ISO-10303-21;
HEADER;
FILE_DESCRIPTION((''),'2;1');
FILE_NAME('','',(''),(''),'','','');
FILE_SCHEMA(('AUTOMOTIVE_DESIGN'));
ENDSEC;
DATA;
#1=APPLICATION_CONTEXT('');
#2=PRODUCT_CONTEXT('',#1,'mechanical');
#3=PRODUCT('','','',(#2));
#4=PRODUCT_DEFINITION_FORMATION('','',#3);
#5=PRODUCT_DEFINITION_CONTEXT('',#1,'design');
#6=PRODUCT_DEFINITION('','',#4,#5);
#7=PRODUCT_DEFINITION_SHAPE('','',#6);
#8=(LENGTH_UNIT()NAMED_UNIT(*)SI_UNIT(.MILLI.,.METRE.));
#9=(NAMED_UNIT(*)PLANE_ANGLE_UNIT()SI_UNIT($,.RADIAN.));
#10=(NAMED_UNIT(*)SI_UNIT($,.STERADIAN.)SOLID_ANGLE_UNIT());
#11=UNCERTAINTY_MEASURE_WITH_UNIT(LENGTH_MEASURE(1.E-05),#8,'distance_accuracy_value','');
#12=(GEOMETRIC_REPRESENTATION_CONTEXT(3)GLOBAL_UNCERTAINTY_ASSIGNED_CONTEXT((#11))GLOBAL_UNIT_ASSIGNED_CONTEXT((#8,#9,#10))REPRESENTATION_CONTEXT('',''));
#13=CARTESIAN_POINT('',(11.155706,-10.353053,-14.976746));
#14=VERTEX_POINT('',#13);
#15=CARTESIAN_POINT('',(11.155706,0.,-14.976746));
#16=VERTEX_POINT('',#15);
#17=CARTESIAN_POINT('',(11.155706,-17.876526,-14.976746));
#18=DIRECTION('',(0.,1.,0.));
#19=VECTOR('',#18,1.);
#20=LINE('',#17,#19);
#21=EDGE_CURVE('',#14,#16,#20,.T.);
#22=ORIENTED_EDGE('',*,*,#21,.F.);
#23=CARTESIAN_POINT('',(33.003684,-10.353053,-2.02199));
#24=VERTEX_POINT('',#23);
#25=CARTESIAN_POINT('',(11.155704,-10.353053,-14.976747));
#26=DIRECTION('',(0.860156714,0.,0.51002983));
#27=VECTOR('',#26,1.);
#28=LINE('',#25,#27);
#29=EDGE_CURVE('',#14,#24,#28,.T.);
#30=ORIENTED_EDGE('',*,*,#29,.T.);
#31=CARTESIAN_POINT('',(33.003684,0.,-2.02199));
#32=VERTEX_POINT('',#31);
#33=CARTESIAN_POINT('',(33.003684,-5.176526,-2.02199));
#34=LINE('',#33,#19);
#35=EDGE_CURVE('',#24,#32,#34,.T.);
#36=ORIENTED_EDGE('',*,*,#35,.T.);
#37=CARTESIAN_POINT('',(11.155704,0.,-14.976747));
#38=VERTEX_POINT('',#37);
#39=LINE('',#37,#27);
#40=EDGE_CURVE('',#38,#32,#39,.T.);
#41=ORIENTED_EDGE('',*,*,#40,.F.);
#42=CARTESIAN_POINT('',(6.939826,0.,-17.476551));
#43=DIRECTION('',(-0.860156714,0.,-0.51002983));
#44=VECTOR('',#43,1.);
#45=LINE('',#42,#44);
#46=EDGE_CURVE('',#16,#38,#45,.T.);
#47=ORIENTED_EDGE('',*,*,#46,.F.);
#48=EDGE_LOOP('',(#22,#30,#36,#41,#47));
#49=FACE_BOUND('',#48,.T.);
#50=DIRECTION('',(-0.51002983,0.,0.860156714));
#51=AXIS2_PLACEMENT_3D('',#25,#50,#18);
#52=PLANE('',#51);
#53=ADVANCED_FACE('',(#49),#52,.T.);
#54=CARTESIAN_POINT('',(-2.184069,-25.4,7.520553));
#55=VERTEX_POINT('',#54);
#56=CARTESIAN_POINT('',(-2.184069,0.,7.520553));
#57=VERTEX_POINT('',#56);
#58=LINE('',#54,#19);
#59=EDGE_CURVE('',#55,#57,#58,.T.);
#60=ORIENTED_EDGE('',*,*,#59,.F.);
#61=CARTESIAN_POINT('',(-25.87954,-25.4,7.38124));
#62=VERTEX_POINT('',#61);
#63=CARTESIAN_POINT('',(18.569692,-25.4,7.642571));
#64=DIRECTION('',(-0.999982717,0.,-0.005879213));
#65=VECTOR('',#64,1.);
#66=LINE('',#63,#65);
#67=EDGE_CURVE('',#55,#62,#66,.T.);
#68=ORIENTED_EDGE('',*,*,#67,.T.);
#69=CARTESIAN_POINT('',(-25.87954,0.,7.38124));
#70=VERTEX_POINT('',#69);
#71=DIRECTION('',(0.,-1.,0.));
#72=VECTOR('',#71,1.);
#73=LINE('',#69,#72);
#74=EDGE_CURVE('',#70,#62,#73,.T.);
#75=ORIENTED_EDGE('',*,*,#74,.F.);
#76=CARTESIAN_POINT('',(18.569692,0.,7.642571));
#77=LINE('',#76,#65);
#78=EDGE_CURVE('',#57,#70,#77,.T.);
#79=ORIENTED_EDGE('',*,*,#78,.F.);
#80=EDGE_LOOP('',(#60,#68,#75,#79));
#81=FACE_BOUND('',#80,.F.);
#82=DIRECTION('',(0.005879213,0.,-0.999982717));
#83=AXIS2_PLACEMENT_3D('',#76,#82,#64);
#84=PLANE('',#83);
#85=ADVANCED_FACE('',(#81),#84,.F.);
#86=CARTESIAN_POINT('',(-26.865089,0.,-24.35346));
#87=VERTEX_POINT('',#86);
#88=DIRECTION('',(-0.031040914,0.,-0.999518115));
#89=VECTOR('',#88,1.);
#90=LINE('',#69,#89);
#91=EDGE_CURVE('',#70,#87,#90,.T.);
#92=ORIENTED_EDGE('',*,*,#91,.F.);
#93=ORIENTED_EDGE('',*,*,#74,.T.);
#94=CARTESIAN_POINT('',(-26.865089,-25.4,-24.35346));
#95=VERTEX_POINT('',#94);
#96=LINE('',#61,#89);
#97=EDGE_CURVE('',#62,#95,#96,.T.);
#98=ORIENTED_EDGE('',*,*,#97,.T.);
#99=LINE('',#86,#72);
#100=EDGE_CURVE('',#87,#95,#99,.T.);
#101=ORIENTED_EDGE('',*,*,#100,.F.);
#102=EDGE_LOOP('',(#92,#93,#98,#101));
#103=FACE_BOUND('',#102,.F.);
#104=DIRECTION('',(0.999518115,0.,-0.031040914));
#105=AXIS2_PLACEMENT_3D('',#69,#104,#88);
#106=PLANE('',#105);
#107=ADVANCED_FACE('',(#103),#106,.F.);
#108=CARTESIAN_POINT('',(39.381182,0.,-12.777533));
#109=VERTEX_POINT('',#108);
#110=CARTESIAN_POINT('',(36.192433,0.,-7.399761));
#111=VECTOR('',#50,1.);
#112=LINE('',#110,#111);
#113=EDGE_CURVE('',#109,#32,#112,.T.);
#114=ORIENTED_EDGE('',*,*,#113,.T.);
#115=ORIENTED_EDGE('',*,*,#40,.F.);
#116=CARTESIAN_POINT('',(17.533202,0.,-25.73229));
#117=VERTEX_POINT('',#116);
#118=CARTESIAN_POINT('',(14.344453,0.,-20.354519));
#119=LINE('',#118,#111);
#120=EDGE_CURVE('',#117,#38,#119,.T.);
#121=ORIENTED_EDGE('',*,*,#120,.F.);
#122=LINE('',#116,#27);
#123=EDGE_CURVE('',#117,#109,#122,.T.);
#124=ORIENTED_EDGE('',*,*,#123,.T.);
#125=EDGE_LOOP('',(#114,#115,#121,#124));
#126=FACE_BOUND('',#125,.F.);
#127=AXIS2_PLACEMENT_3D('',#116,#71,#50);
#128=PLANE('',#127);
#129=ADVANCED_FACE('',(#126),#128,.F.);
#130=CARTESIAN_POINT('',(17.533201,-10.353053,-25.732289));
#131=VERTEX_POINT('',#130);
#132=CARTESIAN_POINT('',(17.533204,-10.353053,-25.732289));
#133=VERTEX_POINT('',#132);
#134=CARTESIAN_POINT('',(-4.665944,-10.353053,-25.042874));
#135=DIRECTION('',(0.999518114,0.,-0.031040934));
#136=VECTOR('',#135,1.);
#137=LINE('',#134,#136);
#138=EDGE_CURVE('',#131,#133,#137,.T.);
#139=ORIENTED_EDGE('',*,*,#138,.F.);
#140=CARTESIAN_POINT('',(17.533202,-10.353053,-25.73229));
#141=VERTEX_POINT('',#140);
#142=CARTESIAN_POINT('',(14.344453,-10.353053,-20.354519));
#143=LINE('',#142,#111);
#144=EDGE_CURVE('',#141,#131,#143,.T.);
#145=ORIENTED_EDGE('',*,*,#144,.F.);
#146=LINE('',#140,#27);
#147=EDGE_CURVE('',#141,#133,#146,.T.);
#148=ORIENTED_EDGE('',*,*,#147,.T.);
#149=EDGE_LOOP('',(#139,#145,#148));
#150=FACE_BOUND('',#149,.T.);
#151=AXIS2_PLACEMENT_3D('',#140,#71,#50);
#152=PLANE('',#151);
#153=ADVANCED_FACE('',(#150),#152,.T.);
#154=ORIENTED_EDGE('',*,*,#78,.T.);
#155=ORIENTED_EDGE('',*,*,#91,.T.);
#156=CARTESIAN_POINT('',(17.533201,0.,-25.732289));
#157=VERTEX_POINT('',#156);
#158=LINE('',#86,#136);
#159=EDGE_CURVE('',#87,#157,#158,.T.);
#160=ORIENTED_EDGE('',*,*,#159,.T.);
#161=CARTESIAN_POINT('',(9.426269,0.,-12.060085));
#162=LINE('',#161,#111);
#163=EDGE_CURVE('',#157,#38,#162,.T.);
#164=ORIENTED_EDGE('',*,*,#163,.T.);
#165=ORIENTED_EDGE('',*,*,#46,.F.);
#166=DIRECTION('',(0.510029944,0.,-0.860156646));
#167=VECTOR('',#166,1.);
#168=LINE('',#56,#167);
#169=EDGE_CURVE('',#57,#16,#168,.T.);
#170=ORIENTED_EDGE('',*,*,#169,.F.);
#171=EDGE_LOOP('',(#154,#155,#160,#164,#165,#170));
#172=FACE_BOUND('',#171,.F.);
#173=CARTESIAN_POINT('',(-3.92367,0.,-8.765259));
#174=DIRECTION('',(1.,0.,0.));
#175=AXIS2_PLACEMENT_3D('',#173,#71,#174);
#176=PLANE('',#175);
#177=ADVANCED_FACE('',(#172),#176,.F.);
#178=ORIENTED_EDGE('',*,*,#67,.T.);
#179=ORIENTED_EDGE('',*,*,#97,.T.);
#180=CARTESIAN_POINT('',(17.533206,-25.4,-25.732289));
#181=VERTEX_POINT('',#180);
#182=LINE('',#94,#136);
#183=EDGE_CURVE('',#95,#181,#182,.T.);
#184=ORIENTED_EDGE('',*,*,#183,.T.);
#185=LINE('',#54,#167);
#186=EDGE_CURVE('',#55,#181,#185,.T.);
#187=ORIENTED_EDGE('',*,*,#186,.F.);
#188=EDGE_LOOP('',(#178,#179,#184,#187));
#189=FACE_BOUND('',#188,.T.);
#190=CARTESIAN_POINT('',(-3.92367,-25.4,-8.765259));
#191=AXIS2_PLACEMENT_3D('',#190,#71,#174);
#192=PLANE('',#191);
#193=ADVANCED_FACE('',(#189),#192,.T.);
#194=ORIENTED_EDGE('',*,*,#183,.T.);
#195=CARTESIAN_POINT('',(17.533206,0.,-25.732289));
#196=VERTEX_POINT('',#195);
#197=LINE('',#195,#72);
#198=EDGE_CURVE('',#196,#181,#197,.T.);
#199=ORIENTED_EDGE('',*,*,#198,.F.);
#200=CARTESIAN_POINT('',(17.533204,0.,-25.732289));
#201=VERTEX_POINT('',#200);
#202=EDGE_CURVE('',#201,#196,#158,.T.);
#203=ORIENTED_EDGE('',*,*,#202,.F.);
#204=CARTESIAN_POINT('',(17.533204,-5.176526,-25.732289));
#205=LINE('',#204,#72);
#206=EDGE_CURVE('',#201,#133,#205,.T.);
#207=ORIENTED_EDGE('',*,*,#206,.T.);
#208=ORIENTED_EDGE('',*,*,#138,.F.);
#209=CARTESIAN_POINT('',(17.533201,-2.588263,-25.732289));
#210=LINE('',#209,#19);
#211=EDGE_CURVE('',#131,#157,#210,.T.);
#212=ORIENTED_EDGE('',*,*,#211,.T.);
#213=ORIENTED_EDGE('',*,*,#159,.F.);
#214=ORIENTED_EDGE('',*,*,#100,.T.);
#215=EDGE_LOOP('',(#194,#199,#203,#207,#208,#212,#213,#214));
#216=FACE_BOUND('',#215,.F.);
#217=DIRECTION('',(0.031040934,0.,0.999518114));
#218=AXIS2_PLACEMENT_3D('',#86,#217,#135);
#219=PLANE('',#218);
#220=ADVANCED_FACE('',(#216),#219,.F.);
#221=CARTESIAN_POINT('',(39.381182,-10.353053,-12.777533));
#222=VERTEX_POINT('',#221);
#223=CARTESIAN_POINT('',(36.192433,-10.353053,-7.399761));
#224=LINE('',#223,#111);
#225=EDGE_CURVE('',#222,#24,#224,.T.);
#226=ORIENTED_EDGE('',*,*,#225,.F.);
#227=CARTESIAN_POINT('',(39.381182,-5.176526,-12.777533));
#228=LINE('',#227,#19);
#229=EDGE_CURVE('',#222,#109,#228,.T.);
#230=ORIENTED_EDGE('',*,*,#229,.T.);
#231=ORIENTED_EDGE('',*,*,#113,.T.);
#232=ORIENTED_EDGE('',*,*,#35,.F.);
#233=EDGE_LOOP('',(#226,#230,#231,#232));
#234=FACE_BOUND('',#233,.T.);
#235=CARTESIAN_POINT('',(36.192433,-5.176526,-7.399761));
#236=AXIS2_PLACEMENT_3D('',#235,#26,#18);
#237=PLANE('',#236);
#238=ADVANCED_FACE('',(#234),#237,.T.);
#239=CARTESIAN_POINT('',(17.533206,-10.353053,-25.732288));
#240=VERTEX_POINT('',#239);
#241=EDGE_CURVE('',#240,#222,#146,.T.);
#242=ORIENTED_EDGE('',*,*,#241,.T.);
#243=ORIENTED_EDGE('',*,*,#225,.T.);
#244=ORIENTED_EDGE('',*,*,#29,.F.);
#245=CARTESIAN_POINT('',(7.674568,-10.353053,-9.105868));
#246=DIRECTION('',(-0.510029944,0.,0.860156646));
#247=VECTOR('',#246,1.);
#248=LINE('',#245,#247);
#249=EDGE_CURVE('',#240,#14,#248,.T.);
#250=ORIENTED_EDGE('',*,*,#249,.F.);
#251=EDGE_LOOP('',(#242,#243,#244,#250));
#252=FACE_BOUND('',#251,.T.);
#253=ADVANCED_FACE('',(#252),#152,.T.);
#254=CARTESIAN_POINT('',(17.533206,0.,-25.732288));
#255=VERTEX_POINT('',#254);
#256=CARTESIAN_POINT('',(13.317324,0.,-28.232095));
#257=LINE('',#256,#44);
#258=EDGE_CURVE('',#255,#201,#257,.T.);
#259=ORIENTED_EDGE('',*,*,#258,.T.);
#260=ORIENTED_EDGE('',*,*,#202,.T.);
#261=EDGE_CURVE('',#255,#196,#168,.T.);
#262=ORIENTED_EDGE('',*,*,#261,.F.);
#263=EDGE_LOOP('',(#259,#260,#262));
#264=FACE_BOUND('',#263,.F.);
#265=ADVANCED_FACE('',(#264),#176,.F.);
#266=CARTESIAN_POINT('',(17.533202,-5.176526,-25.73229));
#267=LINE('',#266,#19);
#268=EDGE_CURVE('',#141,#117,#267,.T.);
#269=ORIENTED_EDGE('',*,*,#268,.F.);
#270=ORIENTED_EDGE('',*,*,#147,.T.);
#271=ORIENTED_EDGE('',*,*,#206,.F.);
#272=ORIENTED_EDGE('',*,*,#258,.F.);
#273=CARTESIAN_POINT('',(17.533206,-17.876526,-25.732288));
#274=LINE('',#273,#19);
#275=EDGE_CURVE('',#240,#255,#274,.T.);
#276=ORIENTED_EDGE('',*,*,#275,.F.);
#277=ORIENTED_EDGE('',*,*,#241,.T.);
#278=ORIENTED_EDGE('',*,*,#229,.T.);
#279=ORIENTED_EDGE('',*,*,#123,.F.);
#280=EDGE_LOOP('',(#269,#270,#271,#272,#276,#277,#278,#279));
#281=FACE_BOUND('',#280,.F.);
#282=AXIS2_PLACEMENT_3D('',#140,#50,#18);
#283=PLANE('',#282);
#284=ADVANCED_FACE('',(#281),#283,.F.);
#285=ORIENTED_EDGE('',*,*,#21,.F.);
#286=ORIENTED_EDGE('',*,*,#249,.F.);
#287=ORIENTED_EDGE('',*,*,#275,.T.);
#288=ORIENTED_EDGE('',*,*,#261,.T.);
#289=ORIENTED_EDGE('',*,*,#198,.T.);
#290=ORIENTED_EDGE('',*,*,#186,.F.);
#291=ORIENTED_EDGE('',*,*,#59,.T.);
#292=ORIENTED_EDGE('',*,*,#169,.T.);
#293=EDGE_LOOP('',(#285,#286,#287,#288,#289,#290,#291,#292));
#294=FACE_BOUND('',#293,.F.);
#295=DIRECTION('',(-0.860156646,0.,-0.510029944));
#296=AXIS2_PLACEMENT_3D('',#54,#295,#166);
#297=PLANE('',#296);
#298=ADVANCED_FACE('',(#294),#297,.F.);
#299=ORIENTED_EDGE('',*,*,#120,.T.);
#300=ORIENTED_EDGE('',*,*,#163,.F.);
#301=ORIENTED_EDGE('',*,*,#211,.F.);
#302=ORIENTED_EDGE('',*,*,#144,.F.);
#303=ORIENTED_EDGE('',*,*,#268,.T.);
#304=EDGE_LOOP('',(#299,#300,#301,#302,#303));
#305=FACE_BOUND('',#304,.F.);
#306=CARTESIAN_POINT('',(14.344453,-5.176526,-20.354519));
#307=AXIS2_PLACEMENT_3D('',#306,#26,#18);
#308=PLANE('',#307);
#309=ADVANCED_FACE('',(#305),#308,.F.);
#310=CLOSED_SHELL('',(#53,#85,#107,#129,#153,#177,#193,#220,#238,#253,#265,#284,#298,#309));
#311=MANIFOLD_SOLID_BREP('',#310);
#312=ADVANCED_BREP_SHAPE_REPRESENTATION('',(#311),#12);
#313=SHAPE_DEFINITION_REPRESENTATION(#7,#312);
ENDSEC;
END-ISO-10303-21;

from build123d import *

# Parameters (mm, degrees)
F1_DEPTH = 25.4
F3_DEPTH = 25.4
F4_W     = 10.353053
F4_H     = 12.504167
F5_DEPTH = 25.4


with BuildPart() as f1:
    # F0 (on Front) → F1 (new body)
    with BuildSketch(Plane.XZ):
        Polygon((18.569692, 7.642571), (-25.87954, 7.38124), (-26.865089, -24.35346), (17.533206, -25.732289), align=None)
    extrude(amount=F1_DEPTH)

    # F2 (on face) → F3 (cut)
    with BuildSketch(Plane.XZ.offset(25.4)):
        Polygon((18.569692, 7.642571), (-2.184069, 7.520553), (17.533206, -25.732289), align=None)
    extrude(amount=-F3_DEPTH, mode=Mode.SUBTRACT)

    # F4 (on face) → F5 (join)
    with BuildSketch(Plane(origin=(1.683383, 0, 0.998162), x_dir=(0, 1, 0), z_dir=(0.860157, 0, 0.51003))):
        with Locations((-5.176526, -24.824175)):
            Rectangle(F4_W, F4_H)
    extrude(amount=F5_DEPTH)


solid = f1.part
